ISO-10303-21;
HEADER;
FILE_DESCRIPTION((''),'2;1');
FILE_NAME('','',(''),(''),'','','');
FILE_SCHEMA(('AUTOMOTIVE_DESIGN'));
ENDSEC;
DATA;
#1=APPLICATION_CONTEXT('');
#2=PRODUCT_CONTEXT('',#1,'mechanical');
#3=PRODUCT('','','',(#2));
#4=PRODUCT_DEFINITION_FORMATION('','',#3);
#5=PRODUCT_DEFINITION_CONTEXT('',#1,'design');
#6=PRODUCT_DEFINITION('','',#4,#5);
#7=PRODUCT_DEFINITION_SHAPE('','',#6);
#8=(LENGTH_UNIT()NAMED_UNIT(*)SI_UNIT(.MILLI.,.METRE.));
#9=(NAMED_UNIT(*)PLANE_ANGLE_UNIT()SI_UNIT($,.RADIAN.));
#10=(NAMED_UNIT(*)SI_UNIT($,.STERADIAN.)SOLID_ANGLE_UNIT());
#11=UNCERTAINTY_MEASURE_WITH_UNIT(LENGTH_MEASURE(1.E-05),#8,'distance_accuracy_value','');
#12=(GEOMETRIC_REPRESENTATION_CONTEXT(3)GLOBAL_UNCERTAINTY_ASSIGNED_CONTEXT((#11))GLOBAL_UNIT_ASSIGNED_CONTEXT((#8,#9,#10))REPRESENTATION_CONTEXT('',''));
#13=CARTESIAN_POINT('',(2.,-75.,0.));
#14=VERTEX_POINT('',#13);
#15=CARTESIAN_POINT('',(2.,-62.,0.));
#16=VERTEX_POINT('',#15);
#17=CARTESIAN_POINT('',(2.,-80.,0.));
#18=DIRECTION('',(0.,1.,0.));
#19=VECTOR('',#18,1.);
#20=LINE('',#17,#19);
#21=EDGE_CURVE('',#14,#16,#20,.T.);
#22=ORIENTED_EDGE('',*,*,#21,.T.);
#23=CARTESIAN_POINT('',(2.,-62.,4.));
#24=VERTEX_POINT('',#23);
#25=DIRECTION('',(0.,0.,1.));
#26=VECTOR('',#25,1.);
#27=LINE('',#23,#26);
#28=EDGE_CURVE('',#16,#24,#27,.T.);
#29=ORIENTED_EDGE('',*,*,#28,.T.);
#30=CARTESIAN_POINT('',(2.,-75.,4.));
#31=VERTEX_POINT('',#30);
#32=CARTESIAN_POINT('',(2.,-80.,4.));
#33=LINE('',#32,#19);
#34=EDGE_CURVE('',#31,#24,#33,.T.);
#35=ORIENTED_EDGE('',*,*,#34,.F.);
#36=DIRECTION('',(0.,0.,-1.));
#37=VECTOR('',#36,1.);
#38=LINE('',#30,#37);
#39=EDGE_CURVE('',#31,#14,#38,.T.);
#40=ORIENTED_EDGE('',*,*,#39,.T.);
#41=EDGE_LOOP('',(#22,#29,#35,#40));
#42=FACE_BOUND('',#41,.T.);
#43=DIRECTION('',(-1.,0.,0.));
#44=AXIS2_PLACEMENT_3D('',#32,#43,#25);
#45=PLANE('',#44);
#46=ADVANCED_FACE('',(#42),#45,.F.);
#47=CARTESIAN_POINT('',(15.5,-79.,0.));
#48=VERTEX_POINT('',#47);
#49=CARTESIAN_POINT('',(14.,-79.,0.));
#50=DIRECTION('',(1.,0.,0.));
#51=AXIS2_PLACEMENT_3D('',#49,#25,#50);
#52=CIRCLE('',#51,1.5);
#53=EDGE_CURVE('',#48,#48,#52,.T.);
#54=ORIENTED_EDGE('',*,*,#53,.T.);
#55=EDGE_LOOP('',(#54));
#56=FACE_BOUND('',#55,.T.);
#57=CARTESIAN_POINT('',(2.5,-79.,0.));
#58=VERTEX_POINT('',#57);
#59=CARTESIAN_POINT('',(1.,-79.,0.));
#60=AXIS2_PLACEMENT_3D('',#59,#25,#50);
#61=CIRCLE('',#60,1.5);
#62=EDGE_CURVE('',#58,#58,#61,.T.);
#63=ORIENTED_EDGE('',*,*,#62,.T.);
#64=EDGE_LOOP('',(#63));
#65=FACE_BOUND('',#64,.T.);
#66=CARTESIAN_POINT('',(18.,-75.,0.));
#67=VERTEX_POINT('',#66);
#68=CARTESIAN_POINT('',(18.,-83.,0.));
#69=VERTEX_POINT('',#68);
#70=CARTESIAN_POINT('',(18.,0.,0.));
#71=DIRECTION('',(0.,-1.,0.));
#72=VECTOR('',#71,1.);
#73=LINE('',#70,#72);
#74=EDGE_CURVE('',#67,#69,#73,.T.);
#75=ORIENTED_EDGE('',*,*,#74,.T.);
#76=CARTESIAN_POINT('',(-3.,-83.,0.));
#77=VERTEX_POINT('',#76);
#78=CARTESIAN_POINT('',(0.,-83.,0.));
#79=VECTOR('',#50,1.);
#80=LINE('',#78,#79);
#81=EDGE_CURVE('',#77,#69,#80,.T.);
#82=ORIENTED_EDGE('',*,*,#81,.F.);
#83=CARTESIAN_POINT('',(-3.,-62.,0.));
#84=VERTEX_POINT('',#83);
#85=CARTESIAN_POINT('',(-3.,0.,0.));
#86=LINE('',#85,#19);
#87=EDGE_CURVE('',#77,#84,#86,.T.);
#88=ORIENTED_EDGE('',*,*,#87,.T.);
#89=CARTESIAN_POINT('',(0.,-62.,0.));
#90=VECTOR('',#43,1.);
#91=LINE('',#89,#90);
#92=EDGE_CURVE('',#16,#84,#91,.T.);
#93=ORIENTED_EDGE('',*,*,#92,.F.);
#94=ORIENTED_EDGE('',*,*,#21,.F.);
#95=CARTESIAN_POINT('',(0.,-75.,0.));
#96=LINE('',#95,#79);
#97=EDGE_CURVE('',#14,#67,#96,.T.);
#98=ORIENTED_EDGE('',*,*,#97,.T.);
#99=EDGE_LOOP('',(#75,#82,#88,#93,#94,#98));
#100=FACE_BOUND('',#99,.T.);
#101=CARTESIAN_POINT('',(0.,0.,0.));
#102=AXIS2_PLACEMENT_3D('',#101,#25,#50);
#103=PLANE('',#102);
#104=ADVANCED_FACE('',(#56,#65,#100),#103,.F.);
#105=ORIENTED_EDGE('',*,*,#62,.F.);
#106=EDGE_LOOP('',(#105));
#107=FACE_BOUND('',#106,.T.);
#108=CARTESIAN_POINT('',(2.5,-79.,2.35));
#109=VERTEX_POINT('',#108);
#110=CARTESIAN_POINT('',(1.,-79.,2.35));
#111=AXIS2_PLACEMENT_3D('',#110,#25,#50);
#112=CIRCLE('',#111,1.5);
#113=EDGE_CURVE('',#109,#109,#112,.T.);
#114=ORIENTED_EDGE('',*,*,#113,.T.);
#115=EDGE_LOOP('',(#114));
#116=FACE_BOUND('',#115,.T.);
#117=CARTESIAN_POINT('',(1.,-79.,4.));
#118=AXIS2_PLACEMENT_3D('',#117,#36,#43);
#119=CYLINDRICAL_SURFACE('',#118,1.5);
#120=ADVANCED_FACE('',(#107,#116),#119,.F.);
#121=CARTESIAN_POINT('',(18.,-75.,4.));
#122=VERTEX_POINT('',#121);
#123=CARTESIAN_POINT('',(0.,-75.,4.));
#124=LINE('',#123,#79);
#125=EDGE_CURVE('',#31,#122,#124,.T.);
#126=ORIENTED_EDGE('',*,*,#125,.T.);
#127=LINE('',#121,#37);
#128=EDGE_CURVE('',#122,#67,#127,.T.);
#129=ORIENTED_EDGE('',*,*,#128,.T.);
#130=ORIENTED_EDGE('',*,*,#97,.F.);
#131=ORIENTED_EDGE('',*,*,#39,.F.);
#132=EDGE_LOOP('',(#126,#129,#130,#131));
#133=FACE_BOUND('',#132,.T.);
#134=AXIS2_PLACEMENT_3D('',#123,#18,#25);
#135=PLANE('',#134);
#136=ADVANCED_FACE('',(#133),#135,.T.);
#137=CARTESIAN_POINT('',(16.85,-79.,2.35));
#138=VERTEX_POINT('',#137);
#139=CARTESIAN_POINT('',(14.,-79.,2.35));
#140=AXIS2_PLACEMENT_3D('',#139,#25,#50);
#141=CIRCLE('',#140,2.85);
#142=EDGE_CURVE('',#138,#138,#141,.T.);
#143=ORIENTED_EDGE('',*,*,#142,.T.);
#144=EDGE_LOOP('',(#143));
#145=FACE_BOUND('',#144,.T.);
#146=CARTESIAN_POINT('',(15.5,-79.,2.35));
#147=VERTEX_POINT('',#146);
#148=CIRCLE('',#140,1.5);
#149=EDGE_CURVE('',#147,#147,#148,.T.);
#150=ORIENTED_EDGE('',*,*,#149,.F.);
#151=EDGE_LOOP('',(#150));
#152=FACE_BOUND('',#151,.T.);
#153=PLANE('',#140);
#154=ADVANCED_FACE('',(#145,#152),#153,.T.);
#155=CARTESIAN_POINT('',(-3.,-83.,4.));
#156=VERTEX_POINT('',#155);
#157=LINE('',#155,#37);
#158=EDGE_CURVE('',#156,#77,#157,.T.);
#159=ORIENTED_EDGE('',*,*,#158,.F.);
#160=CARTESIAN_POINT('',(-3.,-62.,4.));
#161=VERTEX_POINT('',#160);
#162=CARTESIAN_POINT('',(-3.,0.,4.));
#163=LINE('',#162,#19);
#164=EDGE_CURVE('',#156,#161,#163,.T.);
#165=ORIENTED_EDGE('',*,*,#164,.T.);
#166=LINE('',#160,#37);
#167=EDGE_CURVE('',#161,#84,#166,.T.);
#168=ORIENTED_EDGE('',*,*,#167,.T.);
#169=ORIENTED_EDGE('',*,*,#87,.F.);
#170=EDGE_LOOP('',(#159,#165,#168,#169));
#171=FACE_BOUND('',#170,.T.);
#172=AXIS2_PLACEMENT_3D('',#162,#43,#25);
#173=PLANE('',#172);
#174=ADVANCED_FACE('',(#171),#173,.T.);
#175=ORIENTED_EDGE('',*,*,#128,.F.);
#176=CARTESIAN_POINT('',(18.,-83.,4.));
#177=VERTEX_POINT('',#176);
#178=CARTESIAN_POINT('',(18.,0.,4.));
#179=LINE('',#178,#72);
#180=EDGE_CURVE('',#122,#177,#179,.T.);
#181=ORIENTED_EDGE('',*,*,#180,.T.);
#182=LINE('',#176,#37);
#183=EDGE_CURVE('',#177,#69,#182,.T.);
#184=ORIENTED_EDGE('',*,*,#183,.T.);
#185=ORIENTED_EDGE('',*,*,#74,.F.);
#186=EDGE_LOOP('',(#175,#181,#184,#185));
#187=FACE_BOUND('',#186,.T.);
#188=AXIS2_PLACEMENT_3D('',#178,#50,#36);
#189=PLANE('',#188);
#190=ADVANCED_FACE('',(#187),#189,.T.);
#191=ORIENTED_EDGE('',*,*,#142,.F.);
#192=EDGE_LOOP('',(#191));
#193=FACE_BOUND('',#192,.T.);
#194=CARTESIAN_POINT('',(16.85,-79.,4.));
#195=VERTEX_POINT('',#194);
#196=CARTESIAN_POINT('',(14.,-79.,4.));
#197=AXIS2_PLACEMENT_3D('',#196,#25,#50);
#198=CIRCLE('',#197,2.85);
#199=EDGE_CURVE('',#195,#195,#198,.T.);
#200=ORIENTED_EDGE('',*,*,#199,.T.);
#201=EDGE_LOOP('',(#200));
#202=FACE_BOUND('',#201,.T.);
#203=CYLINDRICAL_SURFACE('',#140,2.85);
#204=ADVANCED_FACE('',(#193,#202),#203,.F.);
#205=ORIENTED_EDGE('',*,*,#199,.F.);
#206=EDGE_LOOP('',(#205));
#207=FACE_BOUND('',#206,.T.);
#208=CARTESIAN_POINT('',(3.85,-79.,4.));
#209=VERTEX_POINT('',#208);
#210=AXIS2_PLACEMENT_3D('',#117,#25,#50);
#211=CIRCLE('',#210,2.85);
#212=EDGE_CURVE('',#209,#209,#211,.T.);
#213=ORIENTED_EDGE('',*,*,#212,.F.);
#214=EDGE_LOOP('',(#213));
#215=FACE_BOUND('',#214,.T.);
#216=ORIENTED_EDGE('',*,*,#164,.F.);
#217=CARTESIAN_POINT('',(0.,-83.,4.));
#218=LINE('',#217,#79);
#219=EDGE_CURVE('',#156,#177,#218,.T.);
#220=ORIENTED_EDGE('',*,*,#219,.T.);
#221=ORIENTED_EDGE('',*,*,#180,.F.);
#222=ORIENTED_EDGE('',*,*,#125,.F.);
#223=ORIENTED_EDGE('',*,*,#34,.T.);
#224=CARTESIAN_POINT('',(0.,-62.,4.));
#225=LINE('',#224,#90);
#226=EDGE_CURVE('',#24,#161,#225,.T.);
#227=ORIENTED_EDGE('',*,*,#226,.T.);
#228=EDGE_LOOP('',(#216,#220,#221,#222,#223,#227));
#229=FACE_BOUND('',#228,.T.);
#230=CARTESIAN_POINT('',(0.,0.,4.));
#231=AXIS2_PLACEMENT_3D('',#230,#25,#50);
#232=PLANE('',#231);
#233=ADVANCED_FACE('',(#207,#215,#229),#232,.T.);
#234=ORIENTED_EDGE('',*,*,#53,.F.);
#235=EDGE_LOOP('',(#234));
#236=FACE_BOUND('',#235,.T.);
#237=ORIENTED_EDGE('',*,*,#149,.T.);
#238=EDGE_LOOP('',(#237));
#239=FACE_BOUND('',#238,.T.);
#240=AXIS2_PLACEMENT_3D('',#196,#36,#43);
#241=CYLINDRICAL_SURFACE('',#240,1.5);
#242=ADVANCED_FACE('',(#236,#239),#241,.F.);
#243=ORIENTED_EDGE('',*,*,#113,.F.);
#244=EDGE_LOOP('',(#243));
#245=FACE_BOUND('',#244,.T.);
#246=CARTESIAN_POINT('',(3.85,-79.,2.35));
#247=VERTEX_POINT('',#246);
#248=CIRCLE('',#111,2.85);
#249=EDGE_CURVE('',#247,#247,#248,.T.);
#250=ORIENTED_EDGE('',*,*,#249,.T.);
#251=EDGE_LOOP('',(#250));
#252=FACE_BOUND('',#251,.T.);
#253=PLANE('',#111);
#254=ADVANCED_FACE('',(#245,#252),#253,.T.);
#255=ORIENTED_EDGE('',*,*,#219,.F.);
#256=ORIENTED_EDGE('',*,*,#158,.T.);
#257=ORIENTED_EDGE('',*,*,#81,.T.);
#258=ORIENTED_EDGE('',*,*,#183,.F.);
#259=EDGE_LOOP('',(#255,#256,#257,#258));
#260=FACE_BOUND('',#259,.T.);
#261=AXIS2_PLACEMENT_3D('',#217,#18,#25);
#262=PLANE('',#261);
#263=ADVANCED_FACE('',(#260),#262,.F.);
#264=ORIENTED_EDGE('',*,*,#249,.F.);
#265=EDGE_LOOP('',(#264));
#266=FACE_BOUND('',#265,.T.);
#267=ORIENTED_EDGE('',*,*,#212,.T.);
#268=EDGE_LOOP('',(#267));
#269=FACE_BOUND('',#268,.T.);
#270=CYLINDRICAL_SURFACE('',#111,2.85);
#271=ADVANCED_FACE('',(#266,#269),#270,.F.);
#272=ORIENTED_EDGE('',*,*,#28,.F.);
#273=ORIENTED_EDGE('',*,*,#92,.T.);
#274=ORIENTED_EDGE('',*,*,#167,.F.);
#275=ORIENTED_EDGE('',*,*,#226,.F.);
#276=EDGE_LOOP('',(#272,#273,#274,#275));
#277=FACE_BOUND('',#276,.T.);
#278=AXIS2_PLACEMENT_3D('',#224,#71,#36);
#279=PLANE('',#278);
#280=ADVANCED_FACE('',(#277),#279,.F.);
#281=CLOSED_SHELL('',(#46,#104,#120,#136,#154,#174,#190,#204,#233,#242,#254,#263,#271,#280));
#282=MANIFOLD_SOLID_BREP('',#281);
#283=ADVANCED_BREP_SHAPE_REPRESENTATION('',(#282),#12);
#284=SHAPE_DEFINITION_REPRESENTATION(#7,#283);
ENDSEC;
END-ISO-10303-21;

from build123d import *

# Parameters (mm, degrees)
CROQUIS1_W              = 13
CROQUIS1_H              = 8
CROQUIS1_R              = 1.5
SALIENTE_EXTRUIR1_DEPTH = 4
CROQUIS2_R              = 2.85
CORTAR_EXTRUIR1_DEPTH   = 1.65
CROQUIS3_W              = 3
CROQUIS3_H              = 4
CORTAR_EXTRUIR2_DEPTH   = 13


with BuildPart() as part:
    # Croquis1 → Saliente-Extruir1 (new body)
    # profile 1 of 2: a face of its own
    with BuildSketch(Plane.XY):
        with Locations((11.5, -79)):
            Rectangle(CROQUIS1_W, CROQUIS1_H)
        with Locations((14, -79)):
            Circle(CROQUIS1_R, mode=Mode.SUBTRACT)
    # profile 2 of 2: a face of its own
    with BuildSketch(Plane.XY):
        Polygon((5, -83), (5, -75), (5, -62), (-3, -62), (-3, -83), align=None)
        with Locations((1, -79)):
            Circle(CROQUIS1_R, mode=Mode.SUBTRACT)
    extrude(amount=SALIENTE_EXTRUIR1_DEPTH)

    # Croquis2 → Cortar-Extruir1 (cut)
    with BuildSketch(Plane.XY.offset(4)):
        with Locations((1, -79)):
            Circle(CROQUIS2_R)
        with Locations((14, -79)):
            Circle(CROQUIS2_R)
    extrude(amount=-CORTAR_EXTRUIR1_DEPTH, mode=Mode.SUBTRACT)

    # Croquis3 → Cortar-Extruir2 (cut)
    with BuildSketch(Plane(origin=(0, -62, 0), x_dir=(1, 0, 0), z_dir=(0, 1, 0))):
        with Locations((3.5, -2)):
            Rectangle(CROQUIS3_W, CROQUIS3_H)
    extrude(amount=-CORTAR_EXTRUIR2_DEPTH, mode=Mode.SUBTRACT)


solid = part.part
